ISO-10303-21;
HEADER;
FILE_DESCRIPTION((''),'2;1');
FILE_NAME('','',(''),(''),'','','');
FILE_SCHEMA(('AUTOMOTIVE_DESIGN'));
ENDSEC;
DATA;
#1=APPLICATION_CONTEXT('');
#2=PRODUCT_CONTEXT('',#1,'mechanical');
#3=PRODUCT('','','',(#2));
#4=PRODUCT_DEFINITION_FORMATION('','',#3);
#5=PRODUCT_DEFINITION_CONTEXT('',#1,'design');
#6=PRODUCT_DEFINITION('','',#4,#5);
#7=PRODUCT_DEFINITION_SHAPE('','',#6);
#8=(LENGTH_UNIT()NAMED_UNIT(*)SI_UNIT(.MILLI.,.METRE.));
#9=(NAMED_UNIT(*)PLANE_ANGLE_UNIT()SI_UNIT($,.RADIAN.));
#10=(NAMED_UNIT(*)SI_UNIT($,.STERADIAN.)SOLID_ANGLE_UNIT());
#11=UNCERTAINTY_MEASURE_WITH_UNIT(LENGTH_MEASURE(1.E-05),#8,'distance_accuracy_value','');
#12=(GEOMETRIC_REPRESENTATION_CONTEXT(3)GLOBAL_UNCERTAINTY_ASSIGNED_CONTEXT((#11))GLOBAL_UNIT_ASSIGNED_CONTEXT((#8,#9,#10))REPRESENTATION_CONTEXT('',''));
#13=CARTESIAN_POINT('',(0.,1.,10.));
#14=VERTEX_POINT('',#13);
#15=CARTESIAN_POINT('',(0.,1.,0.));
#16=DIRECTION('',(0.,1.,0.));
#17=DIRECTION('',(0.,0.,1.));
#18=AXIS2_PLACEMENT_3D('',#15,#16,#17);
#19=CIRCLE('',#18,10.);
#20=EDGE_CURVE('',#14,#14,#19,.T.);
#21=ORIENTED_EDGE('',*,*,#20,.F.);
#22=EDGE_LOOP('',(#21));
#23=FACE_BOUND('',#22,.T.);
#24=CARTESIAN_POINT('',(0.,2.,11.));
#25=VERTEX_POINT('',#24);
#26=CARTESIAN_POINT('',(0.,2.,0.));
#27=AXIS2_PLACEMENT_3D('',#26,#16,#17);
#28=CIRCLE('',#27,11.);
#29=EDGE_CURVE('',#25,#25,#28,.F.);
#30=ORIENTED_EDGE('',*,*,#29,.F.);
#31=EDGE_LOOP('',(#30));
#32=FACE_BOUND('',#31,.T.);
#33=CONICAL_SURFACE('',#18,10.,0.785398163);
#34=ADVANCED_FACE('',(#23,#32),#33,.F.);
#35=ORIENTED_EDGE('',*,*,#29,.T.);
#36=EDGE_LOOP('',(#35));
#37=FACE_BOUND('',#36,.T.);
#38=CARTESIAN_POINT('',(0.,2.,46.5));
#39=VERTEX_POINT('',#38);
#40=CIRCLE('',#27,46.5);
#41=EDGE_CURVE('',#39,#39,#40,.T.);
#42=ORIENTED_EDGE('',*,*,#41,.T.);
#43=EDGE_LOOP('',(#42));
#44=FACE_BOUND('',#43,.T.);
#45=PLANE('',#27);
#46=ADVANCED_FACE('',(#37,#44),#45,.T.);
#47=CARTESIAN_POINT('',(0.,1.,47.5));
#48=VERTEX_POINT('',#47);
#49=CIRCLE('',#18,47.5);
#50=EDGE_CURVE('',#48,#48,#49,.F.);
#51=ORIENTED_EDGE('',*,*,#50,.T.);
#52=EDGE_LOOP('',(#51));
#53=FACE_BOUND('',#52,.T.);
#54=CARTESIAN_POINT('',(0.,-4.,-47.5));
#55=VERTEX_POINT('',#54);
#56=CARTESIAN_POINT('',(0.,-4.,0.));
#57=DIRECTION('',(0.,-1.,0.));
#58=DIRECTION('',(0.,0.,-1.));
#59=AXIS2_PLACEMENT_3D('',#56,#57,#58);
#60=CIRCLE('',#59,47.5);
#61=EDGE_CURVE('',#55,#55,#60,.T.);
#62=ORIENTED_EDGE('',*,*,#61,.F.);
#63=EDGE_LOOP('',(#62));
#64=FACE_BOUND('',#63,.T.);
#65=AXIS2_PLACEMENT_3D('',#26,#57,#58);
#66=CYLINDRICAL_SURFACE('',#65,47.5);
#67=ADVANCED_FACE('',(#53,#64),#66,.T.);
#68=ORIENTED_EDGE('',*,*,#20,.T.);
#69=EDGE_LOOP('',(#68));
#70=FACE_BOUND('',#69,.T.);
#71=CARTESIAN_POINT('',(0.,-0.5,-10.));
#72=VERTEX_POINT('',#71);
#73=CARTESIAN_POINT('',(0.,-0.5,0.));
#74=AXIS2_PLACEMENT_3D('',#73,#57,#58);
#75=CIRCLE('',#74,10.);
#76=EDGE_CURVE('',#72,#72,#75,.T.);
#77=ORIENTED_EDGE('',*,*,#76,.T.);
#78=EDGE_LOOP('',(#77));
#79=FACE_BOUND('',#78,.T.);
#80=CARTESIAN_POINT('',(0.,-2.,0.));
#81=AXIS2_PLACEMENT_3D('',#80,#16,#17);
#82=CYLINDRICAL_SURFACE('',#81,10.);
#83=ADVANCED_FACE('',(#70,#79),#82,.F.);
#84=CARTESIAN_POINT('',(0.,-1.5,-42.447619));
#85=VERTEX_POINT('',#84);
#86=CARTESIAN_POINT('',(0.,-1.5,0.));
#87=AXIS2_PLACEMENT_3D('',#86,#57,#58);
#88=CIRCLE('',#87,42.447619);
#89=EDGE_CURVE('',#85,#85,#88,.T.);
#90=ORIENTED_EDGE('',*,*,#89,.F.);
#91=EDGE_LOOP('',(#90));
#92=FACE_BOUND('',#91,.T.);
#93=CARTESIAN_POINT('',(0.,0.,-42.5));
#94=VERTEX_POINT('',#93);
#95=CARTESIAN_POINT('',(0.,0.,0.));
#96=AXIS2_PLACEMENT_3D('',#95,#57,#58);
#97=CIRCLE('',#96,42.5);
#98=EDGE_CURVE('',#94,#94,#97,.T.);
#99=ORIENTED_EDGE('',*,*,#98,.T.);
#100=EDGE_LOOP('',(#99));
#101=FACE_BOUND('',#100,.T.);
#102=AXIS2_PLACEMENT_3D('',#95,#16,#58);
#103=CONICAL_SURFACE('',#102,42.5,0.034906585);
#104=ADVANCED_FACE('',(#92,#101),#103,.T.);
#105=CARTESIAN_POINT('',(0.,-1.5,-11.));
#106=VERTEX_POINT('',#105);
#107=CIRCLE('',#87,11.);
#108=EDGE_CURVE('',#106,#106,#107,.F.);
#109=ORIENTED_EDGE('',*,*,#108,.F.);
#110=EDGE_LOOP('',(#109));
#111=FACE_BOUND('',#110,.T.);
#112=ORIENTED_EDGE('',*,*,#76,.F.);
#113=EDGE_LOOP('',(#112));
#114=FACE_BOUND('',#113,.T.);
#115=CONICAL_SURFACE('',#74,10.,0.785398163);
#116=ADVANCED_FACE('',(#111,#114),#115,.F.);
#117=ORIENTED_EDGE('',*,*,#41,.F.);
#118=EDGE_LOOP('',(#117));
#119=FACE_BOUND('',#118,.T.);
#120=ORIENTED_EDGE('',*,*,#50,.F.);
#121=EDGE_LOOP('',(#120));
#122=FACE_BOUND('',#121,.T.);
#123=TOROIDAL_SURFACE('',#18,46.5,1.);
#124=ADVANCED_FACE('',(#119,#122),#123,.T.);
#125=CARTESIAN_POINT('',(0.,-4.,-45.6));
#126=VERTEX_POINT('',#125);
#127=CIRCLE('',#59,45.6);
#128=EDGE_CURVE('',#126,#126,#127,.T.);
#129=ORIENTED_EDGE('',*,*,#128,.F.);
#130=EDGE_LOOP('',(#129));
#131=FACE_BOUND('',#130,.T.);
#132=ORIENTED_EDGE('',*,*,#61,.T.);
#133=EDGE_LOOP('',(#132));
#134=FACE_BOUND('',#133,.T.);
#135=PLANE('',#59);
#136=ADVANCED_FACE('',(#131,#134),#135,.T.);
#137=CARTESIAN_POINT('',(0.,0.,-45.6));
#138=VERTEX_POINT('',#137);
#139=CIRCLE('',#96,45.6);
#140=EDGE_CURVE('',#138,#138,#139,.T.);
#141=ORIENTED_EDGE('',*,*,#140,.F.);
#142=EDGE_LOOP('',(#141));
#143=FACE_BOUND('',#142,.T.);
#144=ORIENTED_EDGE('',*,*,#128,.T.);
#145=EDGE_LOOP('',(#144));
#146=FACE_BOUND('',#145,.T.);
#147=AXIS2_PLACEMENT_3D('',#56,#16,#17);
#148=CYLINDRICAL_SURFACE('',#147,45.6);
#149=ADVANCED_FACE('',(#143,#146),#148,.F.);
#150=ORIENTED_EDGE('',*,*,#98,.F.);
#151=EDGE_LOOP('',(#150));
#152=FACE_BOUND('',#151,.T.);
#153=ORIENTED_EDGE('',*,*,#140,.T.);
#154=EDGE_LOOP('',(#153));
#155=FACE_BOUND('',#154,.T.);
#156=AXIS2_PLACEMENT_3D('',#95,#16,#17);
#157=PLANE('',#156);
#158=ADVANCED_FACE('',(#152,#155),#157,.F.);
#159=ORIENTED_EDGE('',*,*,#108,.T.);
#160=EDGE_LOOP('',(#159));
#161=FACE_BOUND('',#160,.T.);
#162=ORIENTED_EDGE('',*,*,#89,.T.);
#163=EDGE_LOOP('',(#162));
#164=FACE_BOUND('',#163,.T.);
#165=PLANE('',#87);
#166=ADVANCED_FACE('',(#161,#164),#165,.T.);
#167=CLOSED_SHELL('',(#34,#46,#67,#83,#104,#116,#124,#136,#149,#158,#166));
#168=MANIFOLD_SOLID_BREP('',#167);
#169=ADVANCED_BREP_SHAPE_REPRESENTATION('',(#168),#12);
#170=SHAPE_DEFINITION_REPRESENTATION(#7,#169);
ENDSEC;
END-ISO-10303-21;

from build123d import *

# Parameters (mm, degrees)
SKETCH1_R           = 47.5
BOSS_EXTRUDE1_DEPTH = 2
SKETCH2_R           = 42.5
BOSS_EXTRUDE2_DEPTH = 1.5
BOSS_EXTRUDE2_TAPER = 2
SKETCH5_R           = 10
CUT_EXTRUDE1_DEPTH  = 4
CHAMFER1_SIZE       = 1
SKETCH7_R           = 47.5
SKETCH7_R_2         = 45.6
BOSS_EXTRUDE3_DEPTH = 4
FILLET2_R           = 1


with BuildPart() as part:
    # Sketch1 → Boss-Extrude1 (new body)
    with BuildSketch(Plane(origin=(0, 0, 0), x_dir=(1, 0, 0), z_dir=(0, 1, 0))):
        Circle(SKETCH1_R)
    extrude(amount=BOSS_EXTRUDE1_DEPTH)

    # Sketch2 → Boss-Extrude2 (add)
    with BuildSketch(Plane.XZ):
        Circle(SKETCH2_R)
    extrude(amount=BOSS_EXTRUDE2_DEPTH, taper=BOSS_EXTRUDE2_TAPER)

    # Sketch5 → Cut-Extrude1 (cut)
    with BuildSketch(Plane(origin=(0, 2, 0), x_dir=(1, 0, 0), z_dir=(0, 1, 0))):
        Circle(SKETCH5_R)
    extrude(amount=-CUT_EXTRUDE1_DEPTH, mode=Mode.SUBTRACT)

    # Chamfer1
    chamfer1_edges = [part.edges().sort_by_distance(p)[0] for p in [
        (-10, -1.5, 0),
        (-10, 2, 0),
    ]]
    chamfer(chamfer1_edges, length=CHAMFER1_SIZE)

    # Sketch7 → Boss-Extrude3 (add)
    with BuildSketch(Plane.XZ):
        Circle(SKETCH7_R)
        Circle(SKETCH7_R_2, mode=Mode.SUBTRACT)
    extrude(amount=BOSS_EXTRUDE3_DEPTH)

    # Fillet2
    fillet2_edges = [part.edges().sort_by_distance(p)[0] for p in [
        (-47.5, 2, 0),
    ]]
    fillet(fillet2_edges, radius=FILLET2_R)


solid = part.part
